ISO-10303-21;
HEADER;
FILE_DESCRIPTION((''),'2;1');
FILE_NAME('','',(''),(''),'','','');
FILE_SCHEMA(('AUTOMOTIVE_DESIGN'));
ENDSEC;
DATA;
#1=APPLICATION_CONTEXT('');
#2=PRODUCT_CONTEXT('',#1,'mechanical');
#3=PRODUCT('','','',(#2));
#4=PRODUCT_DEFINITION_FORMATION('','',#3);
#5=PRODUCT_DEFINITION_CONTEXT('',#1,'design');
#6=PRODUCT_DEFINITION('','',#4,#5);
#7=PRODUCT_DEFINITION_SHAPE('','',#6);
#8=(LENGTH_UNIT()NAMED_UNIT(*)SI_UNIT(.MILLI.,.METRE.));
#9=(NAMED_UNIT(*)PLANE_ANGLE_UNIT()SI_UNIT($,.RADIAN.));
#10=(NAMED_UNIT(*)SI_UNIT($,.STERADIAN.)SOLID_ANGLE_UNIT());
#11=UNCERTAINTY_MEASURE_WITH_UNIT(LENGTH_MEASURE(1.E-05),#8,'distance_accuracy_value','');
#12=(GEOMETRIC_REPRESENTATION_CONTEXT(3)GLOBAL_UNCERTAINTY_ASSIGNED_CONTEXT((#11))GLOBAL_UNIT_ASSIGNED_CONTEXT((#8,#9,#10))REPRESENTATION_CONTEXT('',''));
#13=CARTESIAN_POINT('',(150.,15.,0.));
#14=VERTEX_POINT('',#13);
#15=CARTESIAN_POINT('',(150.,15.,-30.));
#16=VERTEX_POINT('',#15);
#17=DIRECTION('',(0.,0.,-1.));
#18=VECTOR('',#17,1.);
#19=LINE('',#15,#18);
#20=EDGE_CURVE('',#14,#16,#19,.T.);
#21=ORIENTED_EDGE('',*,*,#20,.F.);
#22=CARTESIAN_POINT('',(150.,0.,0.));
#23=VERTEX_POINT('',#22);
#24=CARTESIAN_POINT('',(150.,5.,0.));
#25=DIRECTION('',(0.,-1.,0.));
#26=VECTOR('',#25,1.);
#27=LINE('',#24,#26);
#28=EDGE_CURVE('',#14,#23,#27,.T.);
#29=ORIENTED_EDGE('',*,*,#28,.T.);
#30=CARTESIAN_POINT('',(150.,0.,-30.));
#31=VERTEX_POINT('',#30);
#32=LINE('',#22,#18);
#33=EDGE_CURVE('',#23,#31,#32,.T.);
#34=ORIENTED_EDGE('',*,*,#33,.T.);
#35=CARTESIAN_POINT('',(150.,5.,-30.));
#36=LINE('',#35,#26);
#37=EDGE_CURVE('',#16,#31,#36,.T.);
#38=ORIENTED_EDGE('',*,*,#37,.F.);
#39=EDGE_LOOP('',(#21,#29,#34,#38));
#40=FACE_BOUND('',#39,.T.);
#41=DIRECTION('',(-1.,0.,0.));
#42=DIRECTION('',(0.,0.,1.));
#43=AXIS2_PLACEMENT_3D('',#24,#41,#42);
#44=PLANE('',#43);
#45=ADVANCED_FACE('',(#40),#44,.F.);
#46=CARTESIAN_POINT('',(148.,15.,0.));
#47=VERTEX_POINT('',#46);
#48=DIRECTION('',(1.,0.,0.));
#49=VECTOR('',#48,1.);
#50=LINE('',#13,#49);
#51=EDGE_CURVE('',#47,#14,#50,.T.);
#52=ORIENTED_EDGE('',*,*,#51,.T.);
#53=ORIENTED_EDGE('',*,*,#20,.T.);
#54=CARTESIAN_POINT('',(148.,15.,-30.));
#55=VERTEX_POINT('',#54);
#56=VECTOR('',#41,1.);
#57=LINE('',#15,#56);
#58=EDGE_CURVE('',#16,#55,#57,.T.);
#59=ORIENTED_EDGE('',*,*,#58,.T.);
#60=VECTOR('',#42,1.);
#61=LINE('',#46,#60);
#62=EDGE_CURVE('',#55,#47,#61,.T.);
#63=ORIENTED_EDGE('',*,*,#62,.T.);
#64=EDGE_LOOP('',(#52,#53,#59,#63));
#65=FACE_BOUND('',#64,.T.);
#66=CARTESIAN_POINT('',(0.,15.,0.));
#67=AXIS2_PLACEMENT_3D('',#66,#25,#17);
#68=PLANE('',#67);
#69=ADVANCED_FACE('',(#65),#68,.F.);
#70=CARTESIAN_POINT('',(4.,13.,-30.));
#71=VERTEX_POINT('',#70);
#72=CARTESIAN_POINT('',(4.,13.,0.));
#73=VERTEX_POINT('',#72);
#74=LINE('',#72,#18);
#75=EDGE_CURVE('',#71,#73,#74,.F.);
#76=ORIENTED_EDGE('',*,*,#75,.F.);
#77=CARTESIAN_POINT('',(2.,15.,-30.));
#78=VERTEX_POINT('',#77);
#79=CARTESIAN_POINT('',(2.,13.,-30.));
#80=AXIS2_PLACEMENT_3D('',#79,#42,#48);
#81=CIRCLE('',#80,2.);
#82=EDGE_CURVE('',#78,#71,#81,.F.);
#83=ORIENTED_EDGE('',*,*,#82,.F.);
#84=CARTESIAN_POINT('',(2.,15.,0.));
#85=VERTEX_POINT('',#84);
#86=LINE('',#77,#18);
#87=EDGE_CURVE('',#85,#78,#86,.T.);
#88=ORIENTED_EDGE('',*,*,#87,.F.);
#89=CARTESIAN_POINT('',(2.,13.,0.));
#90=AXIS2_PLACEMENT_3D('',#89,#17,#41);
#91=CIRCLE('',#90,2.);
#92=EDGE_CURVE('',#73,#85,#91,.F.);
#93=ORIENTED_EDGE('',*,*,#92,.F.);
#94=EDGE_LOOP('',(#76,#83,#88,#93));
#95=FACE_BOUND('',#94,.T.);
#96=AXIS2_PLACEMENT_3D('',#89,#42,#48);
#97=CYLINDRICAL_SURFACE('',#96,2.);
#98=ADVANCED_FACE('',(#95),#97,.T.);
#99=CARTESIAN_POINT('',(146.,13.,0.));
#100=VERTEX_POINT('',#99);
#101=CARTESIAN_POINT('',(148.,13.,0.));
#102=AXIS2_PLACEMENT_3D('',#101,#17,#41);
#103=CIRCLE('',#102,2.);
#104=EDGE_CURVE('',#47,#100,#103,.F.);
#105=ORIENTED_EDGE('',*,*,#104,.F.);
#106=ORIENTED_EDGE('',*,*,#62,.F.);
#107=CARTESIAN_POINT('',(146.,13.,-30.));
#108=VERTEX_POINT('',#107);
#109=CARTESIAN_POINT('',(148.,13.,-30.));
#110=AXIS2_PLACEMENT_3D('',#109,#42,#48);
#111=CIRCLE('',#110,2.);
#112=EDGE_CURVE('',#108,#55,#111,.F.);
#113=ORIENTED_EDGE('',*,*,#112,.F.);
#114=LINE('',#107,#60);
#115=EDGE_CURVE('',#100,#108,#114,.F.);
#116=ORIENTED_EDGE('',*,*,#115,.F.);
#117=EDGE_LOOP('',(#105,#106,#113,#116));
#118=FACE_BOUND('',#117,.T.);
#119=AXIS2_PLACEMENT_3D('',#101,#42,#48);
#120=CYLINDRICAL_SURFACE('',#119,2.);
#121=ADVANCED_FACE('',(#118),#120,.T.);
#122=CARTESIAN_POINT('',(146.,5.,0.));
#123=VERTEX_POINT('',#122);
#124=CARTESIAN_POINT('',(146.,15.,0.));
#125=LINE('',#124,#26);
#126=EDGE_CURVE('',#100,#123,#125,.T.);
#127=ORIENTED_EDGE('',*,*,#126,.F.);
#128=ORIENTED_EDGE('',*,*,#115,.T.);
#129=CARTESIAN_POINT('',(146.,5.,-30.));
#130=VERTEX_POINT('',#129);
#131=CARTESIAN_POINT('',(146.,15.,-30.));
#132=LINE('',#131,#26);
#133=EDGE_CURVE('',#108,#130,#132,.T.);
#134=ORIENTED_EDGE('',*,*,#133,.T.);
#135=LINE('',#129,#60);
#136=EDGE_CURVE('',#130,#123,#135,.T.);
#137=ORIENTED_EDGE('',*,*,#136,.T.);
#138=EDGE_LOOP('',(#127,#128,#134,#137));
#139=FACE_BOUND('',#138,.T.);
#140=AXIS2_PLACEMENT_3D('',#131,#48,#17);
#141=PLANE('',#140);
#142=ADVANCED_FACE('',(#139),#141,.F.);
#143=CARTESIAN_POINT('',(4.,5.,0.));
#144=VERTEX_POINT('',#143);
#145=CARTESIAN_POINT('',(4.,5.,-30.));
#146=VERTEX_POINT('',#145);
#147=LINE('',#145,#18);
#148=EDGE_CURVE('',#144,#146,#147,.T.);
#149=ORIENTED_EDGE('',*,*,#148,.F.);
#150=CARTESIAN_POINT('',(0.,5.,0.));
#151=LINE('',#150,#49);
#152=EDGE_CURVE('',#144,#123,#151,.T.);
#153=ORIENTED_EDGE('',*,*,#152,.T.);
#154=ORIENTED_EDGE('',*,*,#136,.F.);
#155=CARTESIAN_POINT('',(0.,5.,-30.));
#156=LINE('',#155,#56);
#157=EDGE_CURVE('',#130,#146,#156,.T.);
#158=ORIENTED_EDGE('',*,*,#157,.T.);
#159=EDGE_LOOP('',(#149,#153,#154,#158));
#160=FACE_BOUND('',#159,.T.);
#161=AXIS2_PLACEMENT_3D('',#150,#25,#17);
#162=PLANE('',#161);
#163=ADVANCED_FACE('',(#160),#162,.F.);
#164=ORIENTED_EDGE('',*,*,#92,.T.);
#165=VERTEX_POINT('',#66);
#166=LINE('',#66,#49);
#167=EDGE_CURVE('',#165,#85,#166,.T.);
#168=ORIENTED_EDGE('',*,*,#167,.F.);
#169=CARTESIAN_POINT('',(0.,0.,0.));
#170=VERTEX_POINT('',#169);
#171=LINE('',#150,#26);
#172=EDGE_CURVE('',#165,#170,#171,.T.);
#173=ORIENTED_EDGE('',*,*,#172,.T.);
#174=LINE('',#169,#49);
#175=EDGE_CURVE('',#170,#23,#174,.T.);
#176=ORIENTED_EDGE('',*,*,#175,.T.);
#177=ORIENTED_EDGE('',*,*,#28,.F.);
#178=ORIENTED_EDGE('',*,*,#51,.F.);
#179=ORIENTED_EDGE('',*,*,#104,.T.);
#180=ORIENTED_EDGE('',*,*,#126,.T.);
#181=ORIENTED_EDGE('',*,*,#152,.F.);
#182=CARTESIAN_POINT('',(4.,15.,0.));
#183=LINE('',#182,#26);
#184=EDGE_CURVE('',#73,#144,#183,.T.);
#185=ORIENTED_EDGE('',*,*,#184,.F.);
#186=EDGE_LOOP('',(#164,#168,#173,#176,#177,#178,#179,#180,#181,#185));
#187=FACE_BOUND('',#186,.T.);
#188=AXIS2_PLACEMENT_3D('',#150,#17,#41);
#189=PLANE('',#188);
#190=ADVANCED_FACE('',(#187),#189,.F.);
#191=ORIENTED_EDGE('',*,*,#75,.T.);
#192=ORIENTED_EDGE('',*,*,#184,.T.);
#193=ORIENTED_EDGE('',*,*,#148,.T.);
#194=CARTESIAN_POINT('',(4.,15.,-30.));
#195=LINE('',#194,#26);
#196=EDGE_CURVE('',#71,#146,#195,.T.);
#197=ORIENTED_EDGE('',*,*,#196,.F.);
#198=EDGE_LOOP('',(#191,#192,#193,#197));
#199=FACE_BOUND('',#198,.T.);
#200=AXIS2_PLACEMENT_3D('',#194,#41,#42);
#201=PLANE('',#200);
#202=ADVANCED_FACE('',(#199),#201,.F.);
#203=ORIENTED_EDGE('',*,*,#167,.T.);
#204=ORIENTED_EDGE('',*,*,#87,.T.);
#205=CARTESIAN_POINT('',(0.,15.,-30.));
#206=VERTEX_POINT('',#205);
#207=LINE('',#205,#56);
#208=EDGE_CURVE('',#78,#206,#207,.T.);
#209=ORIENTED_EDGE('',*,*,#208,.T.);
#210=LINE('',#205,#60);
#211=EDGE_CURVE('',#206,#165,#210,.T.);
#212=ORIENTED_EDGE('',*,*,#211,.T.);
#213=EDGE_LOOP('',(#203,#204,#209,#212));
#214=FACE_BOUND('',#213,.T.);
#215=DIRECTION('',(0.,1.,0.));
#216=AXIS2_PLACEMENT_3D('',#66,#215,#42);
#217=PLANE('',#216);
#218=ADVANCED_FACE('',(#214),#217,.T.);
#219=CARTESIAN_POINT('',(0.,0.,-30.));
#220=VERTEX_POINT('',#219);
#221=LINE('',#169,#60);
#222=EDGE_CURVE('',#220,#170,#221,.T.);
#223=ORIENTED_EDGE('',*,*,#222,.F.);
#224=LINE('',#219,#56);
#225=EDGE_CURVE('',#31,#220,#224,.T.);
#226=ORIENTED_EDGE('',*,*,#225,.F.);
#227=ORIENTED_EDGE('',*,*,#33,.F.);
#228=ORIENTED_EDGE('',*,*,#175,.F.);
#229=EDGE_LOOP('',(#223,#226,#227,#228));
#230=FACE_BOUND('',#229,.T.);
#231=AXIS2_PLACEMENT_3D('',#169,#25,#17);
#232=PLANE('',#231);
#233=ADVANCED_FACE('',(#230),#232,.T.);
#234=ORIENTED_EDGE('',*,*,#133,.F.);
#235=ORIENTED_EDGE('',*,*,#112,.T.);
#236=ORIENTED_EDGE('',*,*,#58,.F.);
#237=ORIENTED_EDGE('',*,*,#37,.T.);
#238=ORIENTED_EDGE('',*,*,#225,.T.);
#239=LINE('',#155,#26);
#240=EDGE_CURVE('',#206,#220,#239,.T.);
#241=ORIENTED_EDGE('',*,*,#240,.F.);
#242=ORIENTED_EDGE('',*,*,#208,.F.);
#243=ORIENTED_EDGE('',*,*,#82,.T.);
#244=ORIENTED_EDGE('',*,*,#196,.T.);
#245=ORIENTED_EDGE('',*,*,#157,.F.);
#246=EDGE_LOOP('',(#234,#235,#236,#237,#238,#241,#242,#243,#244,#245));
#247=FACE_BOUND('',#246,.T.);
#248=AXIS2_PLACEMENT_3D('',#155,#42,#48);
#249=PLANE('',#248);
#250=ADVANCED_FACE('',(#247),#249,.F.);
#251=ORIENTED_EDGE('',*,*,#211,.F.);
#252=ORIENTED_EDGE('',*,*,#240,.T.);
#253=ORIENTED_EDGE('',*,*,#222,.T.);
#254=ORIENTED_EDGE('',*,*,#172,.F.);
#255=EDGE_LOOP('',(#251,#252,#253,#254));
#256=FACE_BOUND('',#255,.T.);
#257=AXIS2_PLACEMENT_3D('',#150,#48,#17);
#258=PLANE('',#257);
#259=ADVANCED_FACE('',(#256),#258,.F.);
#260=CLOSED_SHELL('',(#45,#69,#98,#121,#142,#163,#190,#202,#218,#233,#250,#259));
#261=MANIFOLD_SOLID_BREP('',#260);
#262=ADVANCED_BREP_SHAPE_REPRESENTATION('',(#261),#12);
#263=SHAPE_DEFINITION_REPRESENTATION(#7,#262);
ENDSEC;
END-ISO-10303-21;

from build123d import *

# Parameters (mm, degrees)
SKETCH1_W           = 150
SKETCH1_H           = 30
BOSS_EXTRUDE1_DEPTH = 5
SKETCH3_W           = 4
SKETCH3_H           = 30
BOSS_EXTRUDE2_DEPTH = 10
SKETCH4_W           = 4
SKETCH4_H           = 30
BOSS_EXTRUDE3_DEPTH = 10
FILLET1_R           = 2


with BuildPart() as part:
    # Sketch1 → Boss-Extrude1 (new body)
    with BuildSketch(Plane(origin=(0, 0, 0), x_dir=(1, 0, 0), z_dir=(0, 1, 0))):
        with Locations((75, 15)):
            Rectangle(SKETCH1_W, SKETCH1_H)
    extrude(amount=BOSS_EXTRUDE1_DEPTH)

    # Sketch3 → Boss-Extrude2 (add)
    with BuildSketch(Plane(origin=(0, 5, 0), x_dir=(1, 0, 0), z_dir=(0, 1, 0))):
        with Locations((148, 15)):
            Rectangle(SKETCH3_W, SKETCH3_H)
    extrude(amount=BOSS_EXTRUDE2_DEPTH)

    # Sketch4 → Boss-Extrude3 (add)
    with BuildSketch(Plane(origin=(0, 5, 0), x_dir=(1, 0, 0), z_dir=(0, 1, 0))):
        with Locations((2, 15)):
            Rectangle(SKETCH4_W, SKETCH4_H)
    extrude(amount=BOSS_EXTRUDE3_DEPTH)

    # Fillet1
    fillet1_edges = [part.edges().sort_by_distance(p)[0] for p in [
        (146, 15, -15),
        (4, 15, -15),
    ]]
    fillet(fillet1_edges, radius=FILLET1_R)


solid = part.part
